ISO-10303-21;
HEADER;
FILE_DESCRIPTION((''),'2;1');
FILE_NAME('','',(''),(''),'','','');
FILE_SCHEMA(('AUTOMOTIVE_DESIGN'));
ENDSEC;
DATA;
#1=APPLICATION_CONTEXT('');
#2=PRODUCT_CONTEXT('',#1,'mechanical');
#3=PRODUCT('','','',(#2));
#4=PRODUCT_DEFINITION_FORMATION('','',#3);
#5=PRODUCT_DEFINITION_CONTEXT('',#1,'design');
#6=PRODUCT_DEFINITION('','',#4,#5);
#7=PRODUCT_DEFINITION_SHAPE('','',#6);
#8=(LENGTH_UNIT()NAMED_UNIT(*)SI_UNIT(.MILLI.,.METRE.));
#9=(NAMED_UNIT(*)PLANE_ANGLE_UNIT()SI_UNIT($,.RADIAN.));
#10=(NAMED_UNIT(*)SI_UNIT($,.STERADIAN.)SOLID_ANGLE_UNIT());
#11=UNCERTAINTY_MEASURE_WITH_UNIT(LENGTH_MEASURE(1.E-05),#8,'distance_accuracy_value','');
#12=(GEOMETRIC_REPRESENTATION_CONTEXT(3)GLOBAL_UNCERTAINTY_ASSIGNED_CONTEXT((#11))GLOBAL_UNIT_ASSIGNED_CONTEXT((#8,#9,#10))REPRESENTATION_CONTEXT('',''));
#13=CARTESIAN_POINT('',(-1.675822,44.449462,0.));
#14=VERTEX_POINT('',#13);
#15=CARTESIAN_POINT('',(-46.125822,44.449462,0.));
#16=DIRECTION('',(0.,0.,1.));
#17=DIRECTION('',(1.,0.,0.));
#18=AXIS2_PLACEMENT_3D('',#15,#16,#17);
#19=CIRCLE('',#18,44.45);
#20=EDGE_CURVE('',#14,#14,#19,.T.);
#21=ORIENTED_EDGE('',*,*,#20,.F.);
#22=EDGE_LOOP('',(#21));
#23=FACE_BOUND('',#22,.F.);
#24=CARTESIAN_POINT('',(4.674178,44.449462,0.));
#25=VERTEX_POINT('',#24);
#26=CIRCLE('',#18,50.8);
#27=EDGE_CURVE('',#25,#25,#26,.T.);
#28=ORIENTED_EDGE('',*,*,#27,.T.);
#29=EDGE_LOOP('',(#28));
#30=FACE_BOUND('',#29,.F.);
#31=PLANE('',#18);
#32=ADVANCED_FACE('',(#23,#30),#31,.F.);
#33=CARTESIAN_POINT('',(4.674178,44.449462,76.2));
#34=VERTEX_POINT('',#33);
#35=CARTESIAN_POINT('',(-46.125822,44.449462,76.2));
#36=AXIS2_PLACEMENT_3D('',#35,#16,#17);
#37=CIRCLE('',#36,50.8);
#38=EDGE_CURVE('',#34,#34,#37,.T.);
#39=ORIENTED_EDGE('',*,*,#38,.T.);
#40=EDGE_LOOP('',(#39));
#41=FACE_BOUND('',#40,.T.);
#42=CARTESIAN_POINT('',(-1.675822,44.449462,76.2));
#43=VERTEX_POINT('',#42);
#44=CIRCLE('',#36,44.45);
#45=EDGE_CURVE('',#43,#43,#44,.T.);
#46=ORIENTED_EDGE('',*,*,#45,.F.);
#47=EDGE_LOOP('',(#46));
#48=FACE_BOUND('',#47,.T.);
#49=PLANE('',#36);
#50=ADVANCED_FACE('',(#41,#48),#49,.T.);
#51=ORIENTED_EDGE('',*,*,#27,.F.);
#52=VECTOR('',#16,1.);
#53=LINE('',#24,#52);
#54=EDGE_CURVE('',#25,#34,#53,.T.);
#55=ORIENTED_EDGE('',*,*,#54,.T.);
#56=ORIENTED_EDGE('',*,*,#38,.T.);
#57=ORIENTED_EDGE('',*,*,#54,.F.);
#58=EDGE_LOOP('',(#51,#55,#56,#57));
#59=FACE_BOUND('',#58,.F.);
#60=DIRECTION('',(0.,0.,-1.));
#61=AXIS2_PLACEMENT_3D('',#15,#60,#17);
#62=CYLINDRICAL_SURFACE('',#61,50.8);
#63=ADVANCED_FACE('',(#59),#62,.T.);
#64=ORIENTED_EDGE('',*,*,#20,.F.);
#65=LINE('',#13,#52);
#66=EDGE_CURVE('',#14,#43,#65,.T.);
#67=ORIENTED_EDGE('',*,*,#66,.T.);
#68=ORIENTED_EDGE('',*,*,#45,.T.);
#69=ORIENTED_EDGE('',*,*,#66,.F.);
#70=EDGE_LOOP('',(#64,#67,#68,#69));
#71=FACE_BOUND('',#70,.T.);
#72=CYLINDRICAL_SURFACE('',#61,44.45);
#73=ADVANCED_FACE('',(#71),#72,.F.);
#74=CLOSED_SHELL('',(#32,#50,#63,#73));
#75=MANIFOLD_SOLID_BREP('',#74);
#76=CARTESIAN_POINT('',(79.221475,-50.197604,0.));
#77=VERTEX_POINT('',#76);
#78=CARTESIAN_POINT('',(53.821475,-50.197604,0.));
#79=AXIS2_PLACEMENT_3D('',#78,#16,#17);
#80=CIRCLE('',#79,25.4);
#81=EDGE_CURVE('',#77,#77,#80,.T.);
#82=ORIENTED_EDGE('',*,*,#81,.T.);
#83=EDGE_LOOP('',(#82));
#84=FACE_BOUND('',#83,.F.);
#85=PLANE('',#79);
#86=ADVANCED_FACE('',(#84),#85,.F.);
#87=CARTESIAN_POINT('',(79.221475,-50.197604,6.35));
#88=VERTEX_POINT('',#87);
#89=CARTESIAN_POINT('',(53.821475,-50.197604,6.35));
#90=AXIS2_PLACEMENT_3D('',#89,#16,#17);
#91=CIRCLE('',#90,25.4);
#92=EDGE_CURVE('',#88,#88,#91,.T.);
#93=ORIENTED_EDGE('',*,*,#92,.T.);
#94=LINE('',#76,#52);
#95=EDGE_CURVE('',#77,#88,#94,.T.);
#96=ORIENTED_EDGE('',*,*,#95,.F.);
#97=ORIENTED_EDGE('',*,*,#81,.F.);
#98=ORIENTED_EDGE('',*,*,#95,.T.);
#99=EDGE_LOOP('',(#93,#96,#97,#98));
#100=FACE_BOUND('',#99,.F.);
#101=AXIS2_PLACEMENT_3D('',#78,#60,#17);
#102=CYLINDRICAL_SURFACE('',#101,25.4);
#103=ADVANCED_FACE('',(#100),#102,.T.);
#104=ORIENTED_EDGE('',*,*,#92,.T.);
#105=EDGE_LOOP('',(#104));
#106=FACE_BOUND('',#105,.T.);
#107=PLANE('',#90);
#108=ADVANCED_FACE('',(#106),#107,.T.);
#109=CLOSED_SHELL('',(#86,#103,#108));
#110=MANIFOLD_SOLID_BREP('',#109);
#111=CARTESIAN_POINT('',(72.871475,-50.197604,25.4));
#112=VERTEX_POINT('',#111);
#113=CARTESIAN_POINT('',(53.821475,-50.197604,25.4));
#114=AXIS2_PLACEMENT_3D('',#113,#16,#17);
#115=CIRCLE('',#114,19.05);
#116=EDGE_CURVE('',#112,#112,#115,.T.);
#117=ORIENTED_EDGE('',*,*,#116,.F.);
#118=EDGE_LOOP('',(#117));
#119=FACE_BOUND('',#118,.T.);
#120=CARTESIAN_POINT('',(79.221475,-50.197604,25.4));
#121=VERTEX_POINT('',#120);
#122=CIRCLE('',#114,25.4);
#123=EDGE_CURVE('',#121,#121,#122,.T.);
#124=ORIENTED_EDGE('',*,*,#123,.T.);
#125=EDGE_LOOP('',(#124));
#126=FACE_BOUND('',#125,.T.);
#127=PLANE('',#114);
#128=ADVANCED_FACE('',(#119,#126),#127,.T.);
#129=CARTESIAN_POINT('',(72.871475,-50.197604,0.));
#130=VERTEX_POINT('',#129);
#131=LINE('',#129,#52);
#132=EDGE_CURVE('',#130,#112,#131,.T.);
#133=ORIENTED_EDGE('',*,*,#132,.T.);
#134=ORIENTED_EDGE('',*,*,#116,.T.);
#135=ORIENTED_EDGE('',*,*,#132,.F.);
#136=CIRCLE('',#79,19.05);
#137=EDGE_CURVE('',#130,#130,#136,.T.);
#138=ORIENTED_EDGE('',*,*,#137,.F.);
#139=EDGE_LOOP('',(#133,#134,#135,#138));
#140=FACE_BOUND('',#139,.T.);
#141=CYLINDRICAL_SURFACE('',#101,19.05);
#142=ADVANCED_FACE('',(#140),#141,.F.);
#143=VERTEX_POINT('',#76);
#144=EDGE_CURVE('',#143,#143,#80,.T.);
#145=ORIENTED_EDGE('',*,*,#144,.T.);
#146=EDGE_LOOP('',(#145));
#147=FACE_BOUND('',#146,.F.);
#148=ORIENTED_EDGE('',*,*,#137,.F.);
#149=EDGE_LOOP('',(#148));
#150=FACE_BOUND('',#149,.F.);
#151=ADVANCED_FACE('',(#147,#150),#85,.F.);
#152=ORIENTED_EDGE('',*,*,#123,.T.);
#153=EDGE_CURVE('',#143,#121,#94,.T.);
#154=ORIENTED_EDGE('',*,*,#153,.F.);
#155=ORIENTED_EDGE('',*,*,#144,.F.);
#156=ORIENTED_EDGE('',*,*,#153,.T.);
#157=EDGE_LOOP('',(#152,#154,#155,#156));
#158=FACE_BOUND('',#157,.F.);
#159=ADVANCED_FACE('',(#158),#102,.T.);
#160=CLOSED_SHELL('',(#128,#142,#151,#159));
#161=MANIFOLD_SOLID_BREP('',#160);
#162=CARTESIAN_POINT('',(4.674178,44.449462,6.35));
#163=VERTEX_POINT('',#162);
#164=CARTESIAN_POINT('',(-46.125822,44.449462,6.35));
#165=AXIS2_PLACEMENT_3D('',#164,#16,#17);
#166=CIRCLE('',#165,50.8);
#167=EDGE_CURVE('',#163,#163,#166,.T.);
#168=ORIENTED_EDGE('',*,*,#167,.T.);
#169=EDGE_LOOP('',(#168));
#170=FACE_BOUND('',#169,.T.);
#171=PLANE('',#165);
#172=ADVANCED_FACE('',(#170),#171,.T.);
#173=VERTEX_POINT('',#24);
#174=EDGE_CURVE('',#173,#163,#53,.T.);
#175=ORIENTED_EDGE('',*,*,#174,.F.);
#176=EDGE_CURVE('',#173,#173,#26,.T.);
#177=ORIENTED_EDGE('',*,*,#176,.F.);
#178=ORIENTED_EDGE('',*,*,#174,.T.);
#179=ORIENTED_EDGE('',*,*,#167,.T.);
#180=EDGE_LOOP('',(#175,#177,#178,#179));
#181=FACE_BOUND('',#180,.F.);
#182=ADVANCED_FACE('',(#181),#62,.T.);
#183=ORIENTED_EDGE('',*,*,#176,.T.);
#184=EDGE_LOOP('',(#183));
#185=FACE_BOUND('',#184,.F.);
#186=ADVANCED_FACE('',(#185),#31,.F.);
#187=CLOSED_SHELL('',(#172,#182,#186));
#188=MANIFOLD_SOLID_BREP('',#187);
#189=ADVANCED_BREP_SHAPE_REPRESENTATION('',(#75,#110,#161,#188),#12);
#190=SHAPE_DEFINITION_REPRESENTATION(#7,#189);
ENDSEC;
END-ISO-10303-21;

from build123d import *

# Parameters (mm, degrees)
F0_R     = 50.8
F0_R_2   = 44.45
F0_R_3   = 25.4
F0_R_4   = 19.05
F1_DEPTH = 6.35
F2_DEPTH = 76.2
F3_DEPTH = 25.4


with BuildPart() as f1:
    # F0 (on Top) → F1 (new body)
    with BuildSketch(Plane.XY):
        with Locations((-46.125822, 44.449462)):
            Circle(F0_R)
        with Locations((-46.125822, 44.449462)):
            Circle(F0_R_2, mode=Mode.SUBTRACT)
        with Locations((53.821475, -50.197604)):
            Circle(F0_R_3)
        with Locations((53.821475, -50.197604)):
            Circle(F0_R_4, mode=Mode.SUBTRACT)
        with Locations((-46.125822, 44.449462)):
            Circle(F0_R_2)
        with Locations((53.821475, -50.197604)):
            Circle(F0_R_4)
    extrude(amount=F1_DEPTH)


with BuildPart() as f2:
    # F0 (on Top) → F2 (new body)
    with BuildSketch(Plane.XY):
        with Locations((-46.125822, 44.449462)):
            Circle(F0_R)
        with Locations((-46.125822, 44.449462)):
            Circle(F0_R_2, mode=Mode.SUBTRACT)
    extrude(amount=F2_DEPTH)


with BuildPart() as f3:
    # F0 (on Top) → F3 (new body)
    with BuildSketch(Plane.XY):
        with Locations((53.821475, -50.197604)):
            Circle(F0_R_3)
        with Locations((53.821475, -50.197604)):
            Circle(F0_R_4, mode=Mode.SUBTRACT)
    extrude(amount=F3_DEPTH)


solid = Compound([f1.part, f2.part, f3.part])
